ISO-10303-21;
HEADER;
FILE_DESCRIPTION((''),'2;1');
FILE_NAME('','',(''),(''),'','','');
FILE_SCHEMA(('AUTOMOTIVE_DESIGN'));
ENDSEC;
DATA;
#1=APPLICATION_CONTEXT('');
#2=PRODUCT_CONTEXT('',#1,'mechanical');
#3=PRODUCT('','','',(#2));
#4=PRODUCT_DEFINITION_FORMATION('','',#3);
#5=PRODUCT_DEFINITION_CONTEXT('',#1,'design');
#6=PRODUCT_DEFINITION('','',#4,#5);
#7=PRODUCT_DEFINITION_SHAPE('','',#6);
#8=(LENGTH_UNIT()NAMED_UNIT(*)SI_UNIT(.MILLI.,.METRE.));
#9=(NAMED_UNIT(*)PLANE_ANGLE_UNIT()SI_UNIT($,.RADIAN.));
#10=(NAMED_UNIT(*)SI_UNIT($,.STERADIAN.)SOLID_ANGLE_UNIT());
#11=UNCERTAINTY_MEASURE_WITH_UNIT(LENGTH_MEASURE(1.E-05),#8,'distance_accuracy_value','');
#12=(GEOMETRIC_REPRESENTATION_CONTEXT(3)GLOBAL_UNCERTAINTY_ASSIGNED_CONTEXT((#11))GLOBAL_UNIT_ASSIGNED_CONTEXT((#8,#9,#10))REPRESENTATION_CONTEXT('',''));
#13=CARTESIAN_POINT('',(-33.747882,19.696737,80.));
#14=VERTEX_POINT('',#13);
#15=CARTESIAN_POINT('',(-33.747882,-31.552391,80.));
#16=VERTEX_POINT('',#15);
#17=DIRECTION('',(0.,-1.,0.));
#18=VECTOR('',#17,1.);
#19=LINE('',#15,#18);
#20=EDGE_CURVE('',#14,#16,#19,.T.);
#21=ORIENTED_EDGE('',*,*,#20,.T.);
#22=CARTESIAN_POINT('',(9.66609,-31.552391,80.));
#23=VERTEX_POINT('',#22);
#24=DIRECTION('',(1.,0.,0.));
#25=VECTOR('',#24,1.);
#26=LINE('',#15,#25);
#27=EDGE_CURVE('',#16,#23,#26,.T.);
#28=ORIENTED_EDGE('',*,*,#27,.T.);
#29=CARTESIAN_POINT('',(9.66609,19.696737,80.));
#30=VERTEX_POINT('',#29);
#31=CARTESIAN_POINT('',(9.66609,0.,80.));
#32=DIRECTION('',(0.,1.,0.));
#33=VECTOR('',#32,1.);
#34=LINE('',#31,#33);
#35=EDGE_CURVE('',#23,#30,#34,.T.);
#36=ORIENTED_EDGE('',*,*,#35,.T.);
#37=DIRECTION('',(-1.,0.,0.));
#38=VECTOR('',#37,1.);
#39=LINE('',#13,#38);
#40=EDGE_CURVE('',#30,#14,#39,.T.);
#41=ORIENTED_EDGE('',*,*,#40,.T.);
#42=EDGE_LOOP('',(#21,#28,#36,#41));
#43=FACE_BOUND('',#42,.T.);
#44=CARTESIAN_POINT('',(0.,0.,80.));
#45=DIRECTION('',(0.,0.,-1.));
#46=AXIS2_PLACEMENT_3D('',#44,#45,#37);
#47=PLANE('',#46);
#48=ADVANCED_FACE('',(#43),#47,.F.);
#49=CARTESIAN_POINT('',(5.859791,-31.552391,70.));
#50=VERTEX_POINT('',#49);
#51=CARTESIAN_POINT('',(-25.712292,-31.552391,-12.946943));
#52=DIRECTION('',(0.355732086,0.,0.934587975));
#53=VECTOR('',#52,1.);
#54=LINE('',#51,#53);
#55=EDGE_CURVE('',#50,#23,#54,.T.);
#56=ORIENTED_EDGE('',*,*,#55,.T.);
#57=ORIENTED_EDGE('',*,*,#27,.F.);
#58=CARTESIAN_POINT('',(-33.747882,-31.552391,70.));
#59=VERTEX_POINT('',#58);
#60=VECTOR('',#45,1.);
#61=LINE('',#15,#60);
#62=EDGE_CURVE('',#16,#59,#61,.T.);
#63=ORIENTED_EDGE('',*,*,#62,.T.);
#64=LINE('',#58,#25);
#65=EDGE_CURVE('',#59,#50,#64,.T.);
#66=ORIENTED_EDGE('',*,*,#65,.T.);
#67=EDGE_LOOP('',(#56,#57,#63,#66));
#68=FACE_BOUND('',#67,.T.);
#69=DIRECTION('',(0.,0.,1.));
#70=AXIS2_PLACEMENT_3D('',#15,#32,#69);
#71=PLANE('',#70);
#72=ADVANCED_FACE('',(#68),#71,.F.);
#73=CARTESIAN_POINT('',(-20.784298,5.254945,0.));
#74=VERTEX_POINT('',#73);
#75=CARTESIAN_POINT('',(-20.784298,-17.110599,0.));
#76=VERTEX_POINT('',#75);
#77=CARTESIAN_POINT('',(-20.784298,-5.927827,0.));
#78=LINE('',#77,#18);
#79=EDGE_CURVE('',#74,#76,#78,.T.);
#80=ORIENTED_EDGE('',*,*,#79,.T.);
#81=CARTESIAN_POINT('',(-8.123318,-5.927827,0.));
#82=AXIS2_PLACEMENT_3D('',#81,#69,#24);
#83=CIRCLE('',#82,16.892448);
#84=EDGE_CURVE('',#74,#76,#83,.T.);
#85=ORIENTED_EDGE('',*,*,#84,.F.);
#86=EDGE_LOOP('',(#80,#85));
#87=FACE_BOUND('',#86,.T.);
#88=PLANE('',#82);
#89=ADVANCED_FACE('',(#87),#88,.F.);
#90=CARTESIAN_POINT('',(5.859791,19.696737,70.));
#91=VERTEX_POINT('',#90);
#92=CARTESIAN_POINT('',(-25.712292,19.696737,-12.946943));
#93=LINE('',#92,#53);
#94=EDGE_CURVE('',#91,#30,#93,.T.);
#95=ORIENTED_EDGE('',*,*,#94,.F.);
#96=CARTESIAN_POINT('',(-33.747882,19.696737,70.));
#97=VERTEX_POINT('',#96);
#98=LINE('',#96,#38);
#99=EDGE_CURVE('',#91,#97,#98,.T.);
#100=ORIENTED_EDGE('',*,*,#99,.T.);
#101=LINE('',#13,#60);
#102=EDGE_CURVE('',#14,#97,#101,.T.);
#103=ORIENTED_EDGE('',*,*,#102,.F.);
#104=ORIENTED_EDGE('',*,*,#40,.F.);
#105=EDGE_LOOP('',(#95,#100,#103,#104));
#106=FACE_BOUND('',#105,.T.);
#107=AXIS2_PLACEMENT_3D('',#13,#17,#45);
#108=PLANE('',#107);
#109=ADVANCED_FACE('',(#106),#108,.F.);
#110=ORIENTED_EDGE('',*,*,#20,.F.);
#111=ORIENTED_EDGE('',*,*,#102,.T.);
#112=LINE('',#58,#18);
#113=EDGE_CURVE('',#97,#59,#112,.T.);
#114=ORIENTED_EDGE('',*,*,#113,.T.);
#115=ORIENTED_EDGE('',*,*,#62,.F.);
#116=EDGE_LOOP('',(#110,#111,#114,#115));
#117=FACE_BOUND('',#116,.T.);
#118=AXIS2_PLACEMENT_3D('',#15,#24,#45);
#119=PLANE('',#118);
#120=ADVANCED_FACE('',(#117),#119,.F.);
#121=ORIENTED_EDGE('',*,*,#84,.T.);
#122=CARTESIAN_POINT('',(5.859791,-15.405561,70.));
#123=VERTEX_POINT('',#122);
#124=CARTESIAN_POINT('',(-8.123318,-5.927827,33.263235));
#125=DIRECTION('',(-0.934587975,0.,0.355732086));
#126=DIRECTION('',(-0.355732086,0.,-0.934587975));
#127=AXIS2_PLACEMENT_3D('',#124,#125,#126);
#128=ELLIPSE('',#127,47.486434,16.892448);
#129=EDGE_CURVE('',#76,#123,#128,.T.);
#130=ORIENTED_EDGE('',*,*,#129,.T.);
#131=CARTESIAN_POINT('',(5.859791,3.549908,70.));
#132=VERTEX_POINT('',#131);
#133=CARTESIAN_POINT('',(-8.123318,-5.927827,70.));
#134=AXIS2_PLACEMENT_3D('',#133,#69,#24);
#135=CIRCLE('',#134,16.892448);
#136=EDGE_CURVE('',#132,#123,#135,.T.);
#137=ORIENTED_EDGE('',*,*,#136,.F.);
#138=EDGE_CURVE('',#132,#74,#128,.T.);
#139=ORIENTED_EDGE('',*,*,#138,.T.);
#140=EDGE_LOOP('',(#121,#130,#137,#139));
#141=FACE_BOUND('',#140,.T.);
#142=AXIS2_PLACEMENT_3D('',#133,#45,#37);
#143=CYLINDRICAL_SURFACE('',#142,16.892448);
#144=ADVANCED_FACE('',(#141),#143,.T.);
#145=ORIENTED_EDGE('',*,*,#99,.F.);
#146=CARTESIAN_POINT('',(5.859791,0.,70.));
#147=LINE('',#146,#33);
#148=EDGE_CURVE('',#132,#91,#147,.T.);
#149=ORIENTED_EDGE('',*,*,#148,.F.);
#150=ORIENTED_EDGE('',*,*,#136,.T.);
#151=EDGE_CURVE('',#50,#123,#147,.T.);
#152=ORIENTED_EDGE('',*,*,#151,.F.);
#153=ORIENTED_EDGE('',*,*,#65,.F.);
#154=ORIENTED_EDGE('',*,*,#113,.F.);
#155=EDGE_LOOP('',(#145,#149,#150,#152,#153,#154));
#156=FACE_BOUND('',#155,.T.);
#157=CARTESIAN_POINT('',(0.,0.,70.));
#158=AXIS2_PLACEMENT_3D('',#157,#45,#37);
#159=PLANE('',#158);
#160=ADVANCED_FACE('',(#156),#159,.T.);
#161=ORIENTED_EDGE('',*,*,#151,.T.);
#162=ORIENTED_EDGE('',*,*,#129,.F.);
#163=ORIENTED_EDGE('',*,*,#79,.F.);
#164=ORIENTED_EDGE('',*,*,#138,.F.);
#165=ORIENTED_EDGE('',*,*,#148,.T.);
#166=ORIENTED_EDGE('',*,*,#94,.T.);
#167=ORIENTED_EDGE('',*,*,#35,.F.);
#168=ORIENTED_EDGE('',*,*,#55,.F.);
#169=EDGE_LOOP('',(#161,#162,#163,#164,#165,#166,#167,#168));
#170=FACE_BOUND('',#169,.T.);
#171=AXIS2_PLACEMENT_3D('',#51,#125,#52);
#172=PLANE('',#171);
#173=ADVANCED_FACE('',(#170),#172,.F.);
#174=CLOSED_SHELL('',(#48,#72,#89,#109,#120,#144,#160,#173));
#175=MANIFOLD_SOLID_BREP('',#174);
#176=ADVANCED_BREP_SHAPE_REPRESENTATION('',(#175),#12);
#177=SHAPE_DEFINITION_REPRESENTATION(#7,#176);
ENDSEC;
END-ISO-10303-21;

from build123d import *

# Parameters (mm, degrees)
SKETCH1_R               = 16.892448346
BOSS_EXTRUDE1_DEPTH     = 70
SKETCH2_W               = 51.249127752
SKETCH2_H               = 51.249127751
BOSS_EXTRUDE2_DEPTH     = 10
CUT_EXTRUDE1_DEPTH      = 20.696737014
CUT_EXTRUDE1_DEPTH_BACK = 32.552390737


with BuildPart() as part:
    # Sketch1 → Boss-Extrude1 (new body)
    with BuildSketch(Plane.XY):
        with Locations((-8.123318292, -5.927826862)):
            Circle(SKETCH1_R)
    extrude(amount=BOSS_EXTRUDE1_DEPTH)

    # Sketch2 → Boss-Extrude2 (add)
    with BuildSketch(Plane.XY.offset(70)):
        with Locations((-8.123318292, -5.927826862)):
            Rectangle(SKETCH2_W, SKETCH2_H)
    extrude(amount=BOSS_EXTRUDE2_DEPTH)

    # Sketch3 → Cut-Extrude1 (cut, two sides)
    with BuildSketch(Plane(origin=(0, 0, 0), x_dir=(1, 0, 0), z_dir=(0, 1, 0))) as cut_extrude1_sk:
        Polygon((-25.712291526, 12.946943155), (18.961130043, -104.420154992), (40.320792226, 8.610459854), align=None)
    extrude(amount=CUT_EXTRUDE1_DEPTH, mode=Mode.SUBTRACT)
    extrude(cut_extrude1_sk.sketch, amount=-CUT_EXTRUDE1_DEPTH_BACK, mode=Mode.SUBTRACT)


solid = part.part
